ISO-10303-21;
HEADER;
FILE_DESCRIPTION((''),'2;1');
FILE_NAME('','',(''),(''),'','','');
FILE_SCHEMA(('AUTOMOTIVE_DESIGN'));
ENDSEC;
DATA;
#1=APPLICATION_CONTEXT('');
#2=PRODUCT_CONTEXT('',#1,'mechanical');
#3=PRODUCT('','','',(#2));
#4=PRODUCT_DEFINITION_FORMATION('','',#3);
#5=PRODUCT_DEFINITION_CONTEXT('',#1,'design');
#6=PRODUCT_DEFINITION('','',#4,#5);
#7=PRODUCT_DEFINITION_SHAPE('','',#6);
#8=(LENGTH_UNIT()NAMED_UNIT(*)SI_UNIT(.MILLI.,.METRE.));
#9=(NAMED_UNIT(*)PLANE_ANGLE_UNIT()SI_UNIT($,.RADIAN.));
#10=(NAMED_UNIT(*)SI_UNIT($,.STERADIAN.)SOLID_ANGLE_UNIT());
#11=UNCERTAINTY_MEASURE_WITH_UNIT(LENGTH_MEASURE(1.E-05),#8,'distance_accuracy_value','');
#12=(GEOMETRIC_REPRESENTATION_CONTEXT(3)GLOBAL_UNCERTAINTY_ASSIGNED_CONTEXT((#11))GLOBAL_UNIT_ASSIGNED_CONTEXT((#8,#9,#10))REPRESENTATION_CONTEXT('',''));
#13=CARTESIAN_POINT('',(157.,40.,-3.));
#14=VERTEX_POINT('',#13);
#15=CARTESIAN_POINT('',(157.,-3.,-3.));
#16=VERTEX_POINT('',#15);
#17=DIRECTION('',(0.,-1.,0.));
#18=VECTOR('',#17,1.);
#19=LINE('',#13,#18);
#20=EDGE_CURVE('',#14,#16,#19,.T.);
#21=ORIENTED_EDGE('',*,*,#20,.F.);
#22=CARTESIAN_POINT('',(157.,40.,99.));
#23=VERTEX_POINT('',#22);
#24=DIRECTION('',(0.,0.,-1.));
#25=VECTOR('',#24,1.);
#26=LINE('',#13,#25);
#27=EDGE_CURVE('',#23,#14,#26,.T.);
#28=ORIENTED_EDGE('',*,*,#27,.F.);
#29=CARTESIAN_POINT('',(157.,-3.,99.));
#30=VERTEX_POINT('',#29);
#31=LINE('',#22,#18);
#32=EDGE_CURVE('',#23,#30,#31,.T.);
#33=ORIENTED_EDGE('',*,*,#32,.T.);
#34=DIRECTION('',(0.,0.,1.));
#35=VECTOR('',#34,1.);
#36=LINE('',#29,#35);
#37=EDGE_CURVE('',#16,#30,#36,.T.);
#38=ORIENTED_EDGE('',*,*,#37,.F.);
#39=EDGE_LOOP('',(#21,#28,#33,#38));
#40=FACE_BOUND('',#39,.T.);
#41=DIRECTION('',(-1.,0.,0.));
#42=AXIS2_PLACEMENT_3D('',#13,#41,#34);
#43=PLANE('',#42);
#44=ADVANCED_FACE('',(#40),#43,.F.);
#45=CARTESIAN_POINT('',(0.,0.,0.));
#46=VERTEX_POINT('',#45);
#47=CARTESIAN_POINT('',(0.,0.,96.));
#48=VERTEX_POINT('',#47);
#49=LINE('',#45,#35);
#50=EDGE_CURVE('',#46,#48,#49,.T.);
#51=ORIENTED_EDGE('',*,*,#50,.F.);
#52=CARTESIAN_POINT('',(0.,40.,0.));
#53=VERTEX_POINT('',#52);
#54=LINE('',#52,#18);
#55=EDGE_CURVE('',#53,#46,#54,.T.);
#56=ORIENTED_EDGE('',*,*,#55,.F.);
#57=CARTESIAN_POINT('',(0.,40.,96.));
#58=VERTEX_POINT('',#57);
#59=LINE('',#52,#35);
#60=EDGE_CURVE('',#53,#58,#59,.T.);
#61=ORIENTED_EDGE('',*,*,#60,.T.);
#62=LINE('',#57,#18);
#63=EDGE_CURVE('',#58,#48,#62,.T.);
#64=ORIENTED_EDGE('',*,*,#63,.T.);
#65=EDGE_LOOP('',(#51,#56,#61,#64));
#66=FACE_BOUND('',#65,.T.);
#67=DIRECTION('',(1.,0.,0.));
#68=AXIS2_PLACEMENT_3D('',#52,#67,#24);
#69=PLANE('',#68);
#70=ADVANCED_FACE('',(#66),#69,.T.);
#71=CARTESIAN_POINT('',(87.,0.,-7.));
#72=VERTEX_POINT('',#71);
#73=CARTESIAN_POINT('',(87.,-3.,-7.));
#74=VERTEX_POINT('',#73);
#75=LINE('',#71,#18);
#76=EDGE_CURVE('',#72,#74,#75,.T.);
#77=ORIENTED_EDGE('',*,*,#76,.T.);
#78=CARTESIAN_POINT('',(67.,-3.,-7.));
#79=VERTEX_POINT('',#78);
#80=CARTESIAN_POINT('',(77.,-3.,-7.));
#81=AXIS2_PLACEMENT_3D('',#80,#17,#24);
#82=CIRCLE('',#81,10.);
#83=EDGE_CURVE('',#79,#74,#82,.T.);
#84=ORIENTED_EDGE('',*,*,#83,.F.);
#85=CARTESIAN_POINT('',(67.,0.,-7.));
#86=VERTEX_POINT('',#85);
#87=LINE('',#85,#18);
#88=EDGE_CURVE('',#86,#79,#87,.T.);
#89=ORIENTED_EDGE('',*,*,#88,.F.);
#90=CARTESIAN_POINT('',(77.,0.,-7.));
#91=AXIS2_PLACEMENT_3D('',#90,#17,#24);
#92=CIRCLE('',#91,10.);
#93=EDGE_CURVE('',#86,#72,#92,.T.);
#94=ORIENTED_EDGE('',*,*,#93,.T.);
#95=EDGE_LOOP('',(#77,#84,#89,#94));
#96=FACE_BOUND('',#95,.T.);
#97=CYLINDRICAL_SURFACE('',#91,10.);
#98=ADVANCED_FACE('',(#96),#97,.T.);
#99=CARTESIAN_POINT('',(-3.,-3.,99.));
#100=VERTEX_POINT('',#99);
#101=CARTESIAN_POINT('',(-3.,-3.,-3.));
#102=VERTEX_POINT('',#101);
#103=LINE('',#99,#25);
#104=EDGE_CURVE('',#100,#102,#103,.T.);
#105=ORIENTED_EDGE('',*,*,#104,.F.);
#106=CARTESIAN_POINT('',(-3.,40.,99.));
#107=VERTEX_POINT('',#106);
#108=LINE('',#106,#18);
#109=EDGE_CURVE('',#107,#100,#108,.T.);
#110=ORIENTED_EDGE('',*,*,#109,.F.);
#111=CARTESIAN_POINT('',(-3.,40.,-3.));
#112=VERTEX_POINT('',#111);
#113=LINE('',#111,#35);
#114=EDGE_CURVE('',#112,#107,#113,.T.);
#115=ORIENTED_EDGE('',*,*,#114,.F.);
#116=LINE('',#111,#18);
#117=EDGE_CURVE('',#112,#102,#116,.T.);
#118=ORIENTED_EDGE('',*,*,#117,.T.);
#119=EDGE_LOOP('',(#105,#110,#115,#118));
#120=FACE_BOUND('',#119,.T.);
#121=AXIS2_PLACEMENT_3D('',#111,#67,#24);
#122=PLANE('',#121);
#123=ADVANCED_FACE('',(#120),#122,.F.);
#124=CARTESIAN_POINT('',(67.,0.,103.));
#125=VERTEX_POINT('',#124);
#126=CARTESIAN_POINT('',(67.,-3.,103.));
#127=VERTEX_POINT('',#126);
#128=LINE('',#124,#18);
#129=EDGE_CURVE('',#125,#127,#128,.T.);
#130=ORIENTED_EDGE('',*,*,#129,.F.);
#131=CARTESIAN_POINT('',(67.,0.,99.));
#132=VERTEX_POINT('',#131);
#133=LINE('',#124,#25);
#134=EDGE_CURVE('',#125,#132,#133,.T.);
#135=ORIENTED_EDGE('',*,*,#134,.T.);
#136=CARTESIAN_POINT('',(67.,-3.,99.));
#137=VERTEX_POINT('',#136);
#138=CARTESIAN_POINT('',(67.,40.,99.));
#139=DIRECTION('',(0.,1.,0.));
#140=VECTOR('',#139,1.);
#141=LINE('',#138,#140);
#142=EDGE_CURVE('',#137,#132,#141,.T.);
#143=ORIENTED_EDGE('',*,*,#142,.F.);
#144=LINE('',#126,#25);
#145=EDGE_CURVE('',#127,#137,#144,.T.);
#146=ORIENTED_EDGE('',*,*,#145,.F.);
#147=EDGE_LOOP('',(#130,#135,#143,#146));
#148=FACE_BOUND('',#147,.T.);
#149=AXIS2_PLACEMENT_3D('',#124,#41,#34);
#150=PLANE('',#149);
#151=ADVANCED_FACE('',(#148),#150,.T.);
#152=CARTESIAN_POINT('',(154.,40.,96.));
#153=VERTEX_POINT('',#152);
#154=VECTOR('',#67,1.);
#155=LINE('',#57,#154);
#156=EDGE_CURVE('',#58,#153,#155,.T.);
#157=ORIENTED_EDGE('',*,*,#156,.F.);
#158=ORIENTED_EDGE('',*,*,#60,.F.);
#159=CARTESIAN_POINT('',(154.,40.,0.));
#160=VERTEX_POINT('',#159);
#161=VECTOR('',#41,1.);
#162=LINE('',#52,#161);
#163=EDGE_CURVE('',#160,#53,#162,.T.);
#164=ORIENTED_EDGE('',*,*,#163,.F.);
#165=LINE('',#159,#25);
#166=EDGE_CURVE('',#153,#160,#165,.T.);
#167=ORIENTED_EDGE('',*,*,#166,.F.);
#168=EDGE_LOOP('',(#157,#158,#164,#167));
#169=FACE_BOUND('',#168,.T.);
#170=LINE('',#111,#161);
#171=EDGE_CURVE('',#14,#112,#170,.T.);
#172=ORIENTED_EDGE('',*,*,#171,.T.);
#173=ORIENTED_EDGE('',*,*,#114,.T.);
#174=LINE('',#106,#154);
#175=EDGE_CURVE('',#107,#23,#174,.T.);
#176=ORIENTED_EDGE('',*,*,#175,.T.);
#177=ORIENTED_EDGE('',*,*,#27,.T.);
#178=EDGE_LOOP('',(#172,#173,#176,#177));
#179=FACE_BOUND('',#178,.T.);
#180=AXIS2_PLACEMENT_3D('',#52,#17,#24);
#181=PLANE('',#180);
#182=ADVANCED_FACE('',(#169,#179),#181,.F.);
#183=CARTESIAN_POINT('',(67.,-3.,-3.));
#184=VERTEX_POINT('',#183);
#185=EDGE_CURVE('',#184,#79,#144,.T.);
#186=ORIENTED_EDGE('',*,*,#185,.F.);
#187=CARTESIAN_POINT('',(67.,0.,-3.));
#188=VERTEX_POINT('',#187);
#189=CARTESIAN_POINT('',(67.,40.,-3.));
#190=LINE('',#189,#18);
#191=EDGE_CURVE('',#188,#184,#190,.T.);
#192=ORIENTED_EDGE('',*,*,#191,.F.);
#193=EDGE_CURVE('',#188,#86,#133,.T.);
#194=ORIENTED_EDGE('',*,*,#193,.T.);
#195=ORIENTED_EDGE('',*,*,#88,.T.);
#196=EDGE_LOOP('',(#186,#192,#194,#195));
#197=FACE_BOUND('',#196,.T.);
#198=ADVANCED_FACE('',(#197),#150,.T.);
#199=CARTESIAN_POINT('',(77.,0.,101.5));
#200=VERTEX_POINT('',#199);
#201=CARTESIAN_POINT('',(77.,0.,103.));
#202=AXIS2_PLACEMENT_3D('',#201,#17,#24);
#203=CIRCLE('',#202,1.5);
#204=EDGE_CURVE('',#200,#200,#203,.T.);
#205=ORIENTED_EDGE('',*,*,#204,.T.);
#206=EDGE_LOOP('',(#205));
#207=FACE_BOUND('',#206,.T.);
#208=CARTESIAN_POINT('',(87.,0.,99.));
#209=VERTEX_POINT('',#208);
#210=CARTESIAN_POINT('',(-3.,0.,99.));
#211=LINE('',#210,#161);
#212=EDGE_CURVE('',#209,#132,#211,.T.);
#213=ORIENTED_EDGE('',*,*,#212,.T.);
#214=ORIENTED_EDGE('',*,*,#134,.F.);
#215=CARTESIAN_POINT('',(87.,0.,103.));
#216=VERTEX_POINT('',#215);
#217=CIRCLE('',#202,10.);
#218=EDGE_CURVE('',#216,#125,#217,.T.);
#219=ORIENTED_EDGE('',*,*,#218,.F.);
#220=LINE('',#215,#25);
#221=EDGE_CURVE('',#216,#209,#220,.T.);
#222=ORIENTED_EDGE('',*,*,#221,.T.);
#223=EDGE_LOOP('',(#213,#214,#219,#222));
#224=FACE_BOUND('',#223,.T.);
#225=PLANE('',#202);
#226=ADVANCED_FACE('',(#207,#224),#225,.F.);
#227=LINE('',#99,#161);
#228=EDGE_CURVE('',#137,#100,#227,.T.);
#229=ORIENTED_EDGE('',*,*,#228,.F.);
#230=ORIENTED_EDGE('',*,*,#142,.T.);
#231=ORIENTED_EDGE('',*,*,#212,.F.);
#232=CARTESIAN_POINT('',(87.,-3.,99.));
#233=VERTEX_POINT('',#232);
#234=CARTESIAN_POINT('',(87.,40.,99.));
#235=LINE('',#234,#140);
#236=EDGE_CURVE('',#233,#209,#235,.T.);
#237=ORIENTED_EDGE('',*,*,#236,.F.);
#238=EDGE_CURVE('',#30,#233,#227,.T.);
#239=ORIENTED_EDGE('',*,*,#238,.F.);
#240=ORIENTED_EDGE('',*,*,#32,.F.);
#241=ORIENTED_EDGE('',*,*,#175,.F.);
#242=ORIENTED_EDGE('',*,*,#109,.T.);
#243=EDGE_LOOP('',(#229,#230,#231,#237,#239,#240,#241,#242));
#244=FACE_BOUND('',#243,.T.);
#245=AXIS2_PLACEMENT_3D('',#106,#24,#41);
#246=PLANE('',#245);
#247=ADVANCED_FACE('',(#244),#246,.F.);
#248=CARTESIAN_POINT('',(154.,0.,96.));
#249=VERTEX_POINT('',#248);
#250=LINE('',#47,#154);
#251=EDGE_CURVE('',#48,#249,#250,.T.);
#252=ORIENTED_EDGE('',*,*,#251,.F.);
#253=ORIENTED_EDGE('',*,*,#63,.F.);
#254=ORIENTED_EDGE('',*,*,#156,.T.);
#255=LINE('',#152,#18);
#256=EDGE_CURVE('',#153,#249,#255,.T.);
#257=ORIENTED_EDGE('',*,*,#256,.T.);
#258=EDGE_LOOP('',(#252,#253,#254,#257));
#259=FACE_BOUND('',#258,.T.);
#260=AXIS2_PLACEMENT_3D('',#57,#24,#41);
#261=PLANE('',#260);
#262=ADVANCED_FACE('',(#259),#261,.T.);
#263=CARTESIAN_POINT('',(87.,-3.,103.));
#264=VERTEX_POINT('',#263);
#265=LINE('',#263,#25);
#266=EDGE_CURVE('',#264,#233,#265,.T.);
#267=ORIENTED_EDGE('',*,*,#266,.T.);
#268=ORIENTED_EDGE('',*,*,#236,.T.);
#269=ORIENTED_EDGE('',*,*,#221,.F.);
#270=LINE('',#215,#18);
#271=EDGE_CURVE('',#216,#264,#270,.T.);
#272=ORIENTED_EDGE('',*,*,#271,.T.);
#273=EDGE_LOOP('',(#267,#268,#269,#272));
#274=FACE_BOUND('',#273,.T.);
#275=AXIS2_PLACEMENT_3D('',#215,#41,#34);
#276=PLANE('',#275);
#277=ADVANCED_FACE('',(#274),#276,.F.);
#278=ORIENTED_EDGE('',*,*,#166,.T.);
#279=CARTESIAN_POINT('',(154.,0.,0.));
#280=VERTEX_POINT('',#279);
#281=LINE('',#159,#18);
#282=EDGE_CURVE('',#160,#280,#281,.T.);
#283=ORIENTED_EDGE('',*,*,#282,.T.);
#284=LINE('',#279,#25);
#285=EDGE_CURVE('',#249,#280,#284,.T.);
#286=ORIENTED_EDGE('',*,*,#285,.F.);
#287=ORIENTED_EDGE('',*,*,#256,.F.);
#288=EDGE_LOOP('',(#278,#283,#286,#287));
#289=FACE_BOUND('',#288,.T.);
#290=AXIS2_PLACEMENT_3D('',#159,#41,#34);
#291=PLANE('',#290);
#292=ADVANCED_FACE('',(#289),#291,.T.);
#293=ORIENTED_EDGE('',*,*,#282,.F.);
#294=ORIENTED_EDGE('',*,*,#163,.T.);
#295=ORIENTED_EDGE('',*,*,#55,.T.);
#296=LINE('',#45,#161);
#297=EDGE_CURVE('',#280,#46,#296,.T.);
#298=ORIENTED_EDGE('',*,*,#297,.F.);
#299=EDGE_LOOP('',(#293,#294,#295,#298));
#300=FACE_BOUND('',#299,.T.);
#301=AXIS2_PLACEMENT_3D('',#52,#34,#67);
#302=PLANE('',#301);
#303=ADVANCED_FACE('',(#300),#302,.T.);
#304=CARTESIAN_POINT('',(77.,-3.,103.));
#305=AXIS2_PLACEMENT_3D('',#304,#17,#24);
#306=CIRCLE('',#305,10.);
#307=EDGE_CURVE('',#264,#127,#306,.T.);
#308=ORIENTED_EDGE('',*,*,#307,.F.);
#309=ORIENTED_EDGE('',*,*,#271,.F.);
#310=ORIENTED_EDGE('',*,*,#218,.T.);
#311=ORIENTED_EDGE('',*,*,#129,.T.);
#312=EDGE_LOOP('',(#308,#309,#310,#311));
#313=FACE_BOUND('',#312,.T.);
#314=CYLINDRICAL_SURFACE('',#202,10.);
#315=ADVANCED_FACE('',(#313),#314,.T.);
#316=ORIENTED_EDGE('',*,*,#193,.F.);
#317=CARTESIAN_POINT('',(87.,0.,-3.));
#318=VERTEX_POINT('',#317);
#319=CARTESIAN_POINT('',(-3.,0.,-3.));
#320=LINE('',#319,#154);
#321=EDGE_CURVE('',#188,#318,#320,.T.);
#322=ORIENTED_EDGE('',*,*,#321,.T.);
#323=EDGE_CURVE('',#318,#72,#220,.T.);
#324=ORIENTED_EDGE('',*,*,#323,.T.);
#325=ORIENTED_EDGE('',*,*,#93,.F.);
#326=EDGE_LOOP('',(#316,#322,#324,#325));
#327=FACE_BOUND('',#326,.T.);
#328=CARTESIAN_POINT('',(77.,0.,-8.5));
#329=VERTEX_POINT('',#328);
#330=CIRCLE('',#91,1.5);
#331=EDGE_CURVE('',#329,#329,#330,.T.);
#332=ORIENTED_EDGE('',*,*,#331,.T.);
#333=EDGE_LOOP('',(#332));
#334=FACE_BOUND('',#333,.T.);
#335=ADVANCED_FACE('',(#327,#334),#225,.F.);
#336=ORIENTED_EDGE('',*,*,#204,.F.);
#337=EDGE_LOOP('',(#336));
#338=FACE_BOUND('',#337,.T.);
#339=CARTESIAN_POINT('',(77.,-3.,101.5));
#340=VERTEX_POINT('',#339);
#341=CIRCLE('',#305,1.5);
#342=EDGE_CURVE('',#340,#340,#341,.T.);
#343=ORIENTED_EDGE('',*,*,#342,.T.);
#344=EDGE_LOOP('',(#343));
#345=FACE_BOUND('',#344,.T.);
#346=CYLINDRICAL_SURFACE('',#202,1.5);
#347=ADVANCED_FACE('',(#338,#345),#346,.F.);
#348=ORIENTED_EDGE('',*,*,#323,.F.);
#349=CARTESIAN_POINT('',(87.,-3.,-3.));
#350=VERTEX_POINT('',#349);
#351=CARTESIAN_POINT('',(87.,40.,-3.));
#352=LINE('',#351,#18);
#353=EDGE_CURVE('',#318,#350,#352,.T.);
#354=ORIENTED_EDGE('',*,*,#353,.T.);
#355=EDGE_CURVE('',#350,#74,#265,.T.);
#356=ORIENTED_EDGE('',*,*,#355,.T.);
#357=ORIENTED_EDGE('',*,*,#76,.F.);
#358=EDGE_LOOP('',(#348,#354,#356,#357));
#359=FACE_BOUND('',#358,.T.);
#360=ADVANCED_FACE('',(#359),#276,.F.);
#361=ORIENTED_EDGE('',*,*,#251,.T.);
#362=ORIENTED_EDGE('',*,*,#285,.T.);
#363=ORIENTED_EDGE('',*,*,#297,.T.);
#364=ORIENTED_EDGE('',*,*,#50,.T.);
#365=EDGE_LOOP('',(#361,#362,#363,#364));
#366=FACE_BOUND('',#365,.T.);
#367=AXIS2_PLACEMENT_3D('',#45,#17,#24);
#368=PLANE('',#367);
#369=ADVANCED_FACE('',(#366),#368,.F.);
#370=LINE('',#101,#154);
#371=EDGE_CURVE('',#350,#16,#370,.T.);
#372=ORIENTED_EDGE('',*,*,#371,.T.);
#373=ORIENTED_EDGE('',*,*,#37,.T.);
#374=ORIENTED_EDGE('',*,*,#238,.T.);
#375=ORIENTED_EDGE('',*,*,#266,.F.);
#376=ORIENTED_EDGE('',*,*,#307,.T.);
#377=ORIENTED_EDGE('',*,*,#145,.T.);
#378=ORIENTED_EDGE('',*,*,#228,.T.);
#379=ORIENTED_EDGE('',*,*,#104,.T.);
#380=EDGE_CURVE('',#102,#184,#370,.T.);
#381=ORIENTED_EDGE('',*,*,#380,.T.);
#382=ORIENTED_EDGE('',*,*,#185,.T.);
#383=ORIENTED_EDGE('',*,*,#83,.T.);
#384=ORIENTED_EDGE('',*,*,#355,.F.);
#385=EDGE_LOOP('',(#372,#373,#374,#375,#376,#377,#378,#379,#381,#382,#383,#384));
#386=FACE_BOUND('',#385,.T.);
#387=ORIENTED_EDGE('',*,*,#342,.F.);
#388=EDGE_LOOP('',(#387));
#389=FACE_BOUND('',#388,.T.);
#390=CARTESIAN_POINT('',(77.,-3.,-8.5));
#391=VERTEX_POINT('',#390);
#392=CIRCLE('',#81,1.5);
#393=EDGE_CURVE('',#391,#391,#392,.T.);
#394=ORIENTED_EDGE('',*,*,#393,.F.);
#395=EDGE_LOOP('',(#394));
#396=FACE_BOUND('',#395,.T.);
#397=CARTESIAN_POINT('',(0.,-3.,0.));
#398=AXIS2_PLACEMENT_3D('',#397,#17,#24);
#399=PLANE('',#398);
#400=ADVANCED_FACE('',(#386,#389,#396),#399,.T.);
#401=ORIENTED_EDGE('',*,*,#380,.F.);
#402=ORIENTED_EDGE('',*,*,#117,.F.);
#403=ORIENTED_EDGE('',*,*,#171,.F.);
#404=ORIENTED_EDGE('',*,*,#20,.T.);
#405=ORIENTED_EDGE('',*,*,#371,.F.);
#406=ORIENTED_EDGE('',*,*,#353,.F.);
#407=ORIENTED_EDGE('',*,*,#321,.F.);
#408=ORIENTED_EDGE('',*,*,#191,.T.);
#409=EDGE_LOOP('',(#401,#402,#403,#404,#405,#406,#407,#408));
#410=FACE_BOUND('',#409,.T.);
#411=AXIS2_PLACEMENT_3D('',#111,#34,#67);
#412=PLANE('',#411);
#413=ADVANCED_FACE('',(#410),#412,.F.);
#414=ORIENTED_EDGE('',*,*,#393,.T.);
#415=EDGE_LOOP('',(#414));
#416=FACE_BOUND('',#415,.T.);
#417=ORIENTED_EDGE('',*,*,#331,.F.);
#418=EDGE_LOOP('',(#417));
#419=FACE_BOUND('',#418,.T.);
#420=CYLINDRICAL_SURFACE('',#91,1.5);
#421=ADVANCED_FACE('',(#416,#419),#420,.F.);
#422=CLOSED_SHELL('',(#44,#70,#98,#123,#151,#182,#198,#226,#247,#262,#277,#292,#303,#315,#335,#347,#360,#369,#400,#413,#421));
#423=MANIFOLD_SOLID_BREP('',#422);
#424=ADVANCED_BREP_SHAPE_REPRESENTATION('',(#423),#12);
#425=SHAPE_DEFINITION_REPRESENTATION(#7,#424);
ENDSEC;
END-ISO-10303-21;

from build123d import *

# Parameters (mm, degrees)
SKETCH1_W           = 160
SKETCH1_H           = 102
SKETCH1_W_2         = 154
SKETCH1_H_2         = 96
BOSS_EXTRUDE1_DEPTH = 40
SKETCH2_W           = 160
SKETCH2_H           = 102
BOSS_EXTRUDE2_DEPTH = 3
SKETCH3_R           = 1.5
BOSS_EXTRUDE3_DEPTH = 3


with BuildPart() as part:
    # Sketch1 → Boss-Extrude1 (new body)
    with BuildSketch(Plane(origin=(0, 0, 0), x_dir=(1, 0, 0), z_dir=(0, 1, 0))):
        with Locations((77, -48)):
            Rectangle(SKETCH1_W, SKETCH1_H)
        with Locations((77, -48)):
            Rectangle(SKETCH1_W_2, SKETCH1_H_2, mode=Mode.SUBTRACT)
    extrude(amount=BOSS_EXTRUDE1_DEPTH)

    # Sketch2 → Boss-Extrude2 (add)
    with BuildSketch(Plane.XZ):
        with Locations((77, 48)):
            Rectangle(SKETCH2_W, SKETCH2_H)
    extrude(amount=BOSS_EXTRUDE2_DEPTH)

    # Sketch3 → Boss-Extrude3 (add)
    with BuildSketch(Plane.XZ.offset(3)):
        with BuildLine():
            Line((87, 103), (87, -7))
            ThreePointArc((87, -7), (77, -17), (67, -7))
            Line((67, -7), (67, 103))
            ThreePointArc((67, 103), (77, 113), (87, 103))
        make_face()
        with Locations(Location((77, -7, 0), (0, 0, 270))):
            Circle(SKETCH3_R, mode=Mode.SUBTRACT)
        with Locations(Location((77, 103, 0), (0, 0, 270))):
            Circle(SKETCH3_R, mode=Mode.SUBTRACT)
    extrude(amount=-BOSS_EXTRUDE3_DEPTH)


solid = part.part
